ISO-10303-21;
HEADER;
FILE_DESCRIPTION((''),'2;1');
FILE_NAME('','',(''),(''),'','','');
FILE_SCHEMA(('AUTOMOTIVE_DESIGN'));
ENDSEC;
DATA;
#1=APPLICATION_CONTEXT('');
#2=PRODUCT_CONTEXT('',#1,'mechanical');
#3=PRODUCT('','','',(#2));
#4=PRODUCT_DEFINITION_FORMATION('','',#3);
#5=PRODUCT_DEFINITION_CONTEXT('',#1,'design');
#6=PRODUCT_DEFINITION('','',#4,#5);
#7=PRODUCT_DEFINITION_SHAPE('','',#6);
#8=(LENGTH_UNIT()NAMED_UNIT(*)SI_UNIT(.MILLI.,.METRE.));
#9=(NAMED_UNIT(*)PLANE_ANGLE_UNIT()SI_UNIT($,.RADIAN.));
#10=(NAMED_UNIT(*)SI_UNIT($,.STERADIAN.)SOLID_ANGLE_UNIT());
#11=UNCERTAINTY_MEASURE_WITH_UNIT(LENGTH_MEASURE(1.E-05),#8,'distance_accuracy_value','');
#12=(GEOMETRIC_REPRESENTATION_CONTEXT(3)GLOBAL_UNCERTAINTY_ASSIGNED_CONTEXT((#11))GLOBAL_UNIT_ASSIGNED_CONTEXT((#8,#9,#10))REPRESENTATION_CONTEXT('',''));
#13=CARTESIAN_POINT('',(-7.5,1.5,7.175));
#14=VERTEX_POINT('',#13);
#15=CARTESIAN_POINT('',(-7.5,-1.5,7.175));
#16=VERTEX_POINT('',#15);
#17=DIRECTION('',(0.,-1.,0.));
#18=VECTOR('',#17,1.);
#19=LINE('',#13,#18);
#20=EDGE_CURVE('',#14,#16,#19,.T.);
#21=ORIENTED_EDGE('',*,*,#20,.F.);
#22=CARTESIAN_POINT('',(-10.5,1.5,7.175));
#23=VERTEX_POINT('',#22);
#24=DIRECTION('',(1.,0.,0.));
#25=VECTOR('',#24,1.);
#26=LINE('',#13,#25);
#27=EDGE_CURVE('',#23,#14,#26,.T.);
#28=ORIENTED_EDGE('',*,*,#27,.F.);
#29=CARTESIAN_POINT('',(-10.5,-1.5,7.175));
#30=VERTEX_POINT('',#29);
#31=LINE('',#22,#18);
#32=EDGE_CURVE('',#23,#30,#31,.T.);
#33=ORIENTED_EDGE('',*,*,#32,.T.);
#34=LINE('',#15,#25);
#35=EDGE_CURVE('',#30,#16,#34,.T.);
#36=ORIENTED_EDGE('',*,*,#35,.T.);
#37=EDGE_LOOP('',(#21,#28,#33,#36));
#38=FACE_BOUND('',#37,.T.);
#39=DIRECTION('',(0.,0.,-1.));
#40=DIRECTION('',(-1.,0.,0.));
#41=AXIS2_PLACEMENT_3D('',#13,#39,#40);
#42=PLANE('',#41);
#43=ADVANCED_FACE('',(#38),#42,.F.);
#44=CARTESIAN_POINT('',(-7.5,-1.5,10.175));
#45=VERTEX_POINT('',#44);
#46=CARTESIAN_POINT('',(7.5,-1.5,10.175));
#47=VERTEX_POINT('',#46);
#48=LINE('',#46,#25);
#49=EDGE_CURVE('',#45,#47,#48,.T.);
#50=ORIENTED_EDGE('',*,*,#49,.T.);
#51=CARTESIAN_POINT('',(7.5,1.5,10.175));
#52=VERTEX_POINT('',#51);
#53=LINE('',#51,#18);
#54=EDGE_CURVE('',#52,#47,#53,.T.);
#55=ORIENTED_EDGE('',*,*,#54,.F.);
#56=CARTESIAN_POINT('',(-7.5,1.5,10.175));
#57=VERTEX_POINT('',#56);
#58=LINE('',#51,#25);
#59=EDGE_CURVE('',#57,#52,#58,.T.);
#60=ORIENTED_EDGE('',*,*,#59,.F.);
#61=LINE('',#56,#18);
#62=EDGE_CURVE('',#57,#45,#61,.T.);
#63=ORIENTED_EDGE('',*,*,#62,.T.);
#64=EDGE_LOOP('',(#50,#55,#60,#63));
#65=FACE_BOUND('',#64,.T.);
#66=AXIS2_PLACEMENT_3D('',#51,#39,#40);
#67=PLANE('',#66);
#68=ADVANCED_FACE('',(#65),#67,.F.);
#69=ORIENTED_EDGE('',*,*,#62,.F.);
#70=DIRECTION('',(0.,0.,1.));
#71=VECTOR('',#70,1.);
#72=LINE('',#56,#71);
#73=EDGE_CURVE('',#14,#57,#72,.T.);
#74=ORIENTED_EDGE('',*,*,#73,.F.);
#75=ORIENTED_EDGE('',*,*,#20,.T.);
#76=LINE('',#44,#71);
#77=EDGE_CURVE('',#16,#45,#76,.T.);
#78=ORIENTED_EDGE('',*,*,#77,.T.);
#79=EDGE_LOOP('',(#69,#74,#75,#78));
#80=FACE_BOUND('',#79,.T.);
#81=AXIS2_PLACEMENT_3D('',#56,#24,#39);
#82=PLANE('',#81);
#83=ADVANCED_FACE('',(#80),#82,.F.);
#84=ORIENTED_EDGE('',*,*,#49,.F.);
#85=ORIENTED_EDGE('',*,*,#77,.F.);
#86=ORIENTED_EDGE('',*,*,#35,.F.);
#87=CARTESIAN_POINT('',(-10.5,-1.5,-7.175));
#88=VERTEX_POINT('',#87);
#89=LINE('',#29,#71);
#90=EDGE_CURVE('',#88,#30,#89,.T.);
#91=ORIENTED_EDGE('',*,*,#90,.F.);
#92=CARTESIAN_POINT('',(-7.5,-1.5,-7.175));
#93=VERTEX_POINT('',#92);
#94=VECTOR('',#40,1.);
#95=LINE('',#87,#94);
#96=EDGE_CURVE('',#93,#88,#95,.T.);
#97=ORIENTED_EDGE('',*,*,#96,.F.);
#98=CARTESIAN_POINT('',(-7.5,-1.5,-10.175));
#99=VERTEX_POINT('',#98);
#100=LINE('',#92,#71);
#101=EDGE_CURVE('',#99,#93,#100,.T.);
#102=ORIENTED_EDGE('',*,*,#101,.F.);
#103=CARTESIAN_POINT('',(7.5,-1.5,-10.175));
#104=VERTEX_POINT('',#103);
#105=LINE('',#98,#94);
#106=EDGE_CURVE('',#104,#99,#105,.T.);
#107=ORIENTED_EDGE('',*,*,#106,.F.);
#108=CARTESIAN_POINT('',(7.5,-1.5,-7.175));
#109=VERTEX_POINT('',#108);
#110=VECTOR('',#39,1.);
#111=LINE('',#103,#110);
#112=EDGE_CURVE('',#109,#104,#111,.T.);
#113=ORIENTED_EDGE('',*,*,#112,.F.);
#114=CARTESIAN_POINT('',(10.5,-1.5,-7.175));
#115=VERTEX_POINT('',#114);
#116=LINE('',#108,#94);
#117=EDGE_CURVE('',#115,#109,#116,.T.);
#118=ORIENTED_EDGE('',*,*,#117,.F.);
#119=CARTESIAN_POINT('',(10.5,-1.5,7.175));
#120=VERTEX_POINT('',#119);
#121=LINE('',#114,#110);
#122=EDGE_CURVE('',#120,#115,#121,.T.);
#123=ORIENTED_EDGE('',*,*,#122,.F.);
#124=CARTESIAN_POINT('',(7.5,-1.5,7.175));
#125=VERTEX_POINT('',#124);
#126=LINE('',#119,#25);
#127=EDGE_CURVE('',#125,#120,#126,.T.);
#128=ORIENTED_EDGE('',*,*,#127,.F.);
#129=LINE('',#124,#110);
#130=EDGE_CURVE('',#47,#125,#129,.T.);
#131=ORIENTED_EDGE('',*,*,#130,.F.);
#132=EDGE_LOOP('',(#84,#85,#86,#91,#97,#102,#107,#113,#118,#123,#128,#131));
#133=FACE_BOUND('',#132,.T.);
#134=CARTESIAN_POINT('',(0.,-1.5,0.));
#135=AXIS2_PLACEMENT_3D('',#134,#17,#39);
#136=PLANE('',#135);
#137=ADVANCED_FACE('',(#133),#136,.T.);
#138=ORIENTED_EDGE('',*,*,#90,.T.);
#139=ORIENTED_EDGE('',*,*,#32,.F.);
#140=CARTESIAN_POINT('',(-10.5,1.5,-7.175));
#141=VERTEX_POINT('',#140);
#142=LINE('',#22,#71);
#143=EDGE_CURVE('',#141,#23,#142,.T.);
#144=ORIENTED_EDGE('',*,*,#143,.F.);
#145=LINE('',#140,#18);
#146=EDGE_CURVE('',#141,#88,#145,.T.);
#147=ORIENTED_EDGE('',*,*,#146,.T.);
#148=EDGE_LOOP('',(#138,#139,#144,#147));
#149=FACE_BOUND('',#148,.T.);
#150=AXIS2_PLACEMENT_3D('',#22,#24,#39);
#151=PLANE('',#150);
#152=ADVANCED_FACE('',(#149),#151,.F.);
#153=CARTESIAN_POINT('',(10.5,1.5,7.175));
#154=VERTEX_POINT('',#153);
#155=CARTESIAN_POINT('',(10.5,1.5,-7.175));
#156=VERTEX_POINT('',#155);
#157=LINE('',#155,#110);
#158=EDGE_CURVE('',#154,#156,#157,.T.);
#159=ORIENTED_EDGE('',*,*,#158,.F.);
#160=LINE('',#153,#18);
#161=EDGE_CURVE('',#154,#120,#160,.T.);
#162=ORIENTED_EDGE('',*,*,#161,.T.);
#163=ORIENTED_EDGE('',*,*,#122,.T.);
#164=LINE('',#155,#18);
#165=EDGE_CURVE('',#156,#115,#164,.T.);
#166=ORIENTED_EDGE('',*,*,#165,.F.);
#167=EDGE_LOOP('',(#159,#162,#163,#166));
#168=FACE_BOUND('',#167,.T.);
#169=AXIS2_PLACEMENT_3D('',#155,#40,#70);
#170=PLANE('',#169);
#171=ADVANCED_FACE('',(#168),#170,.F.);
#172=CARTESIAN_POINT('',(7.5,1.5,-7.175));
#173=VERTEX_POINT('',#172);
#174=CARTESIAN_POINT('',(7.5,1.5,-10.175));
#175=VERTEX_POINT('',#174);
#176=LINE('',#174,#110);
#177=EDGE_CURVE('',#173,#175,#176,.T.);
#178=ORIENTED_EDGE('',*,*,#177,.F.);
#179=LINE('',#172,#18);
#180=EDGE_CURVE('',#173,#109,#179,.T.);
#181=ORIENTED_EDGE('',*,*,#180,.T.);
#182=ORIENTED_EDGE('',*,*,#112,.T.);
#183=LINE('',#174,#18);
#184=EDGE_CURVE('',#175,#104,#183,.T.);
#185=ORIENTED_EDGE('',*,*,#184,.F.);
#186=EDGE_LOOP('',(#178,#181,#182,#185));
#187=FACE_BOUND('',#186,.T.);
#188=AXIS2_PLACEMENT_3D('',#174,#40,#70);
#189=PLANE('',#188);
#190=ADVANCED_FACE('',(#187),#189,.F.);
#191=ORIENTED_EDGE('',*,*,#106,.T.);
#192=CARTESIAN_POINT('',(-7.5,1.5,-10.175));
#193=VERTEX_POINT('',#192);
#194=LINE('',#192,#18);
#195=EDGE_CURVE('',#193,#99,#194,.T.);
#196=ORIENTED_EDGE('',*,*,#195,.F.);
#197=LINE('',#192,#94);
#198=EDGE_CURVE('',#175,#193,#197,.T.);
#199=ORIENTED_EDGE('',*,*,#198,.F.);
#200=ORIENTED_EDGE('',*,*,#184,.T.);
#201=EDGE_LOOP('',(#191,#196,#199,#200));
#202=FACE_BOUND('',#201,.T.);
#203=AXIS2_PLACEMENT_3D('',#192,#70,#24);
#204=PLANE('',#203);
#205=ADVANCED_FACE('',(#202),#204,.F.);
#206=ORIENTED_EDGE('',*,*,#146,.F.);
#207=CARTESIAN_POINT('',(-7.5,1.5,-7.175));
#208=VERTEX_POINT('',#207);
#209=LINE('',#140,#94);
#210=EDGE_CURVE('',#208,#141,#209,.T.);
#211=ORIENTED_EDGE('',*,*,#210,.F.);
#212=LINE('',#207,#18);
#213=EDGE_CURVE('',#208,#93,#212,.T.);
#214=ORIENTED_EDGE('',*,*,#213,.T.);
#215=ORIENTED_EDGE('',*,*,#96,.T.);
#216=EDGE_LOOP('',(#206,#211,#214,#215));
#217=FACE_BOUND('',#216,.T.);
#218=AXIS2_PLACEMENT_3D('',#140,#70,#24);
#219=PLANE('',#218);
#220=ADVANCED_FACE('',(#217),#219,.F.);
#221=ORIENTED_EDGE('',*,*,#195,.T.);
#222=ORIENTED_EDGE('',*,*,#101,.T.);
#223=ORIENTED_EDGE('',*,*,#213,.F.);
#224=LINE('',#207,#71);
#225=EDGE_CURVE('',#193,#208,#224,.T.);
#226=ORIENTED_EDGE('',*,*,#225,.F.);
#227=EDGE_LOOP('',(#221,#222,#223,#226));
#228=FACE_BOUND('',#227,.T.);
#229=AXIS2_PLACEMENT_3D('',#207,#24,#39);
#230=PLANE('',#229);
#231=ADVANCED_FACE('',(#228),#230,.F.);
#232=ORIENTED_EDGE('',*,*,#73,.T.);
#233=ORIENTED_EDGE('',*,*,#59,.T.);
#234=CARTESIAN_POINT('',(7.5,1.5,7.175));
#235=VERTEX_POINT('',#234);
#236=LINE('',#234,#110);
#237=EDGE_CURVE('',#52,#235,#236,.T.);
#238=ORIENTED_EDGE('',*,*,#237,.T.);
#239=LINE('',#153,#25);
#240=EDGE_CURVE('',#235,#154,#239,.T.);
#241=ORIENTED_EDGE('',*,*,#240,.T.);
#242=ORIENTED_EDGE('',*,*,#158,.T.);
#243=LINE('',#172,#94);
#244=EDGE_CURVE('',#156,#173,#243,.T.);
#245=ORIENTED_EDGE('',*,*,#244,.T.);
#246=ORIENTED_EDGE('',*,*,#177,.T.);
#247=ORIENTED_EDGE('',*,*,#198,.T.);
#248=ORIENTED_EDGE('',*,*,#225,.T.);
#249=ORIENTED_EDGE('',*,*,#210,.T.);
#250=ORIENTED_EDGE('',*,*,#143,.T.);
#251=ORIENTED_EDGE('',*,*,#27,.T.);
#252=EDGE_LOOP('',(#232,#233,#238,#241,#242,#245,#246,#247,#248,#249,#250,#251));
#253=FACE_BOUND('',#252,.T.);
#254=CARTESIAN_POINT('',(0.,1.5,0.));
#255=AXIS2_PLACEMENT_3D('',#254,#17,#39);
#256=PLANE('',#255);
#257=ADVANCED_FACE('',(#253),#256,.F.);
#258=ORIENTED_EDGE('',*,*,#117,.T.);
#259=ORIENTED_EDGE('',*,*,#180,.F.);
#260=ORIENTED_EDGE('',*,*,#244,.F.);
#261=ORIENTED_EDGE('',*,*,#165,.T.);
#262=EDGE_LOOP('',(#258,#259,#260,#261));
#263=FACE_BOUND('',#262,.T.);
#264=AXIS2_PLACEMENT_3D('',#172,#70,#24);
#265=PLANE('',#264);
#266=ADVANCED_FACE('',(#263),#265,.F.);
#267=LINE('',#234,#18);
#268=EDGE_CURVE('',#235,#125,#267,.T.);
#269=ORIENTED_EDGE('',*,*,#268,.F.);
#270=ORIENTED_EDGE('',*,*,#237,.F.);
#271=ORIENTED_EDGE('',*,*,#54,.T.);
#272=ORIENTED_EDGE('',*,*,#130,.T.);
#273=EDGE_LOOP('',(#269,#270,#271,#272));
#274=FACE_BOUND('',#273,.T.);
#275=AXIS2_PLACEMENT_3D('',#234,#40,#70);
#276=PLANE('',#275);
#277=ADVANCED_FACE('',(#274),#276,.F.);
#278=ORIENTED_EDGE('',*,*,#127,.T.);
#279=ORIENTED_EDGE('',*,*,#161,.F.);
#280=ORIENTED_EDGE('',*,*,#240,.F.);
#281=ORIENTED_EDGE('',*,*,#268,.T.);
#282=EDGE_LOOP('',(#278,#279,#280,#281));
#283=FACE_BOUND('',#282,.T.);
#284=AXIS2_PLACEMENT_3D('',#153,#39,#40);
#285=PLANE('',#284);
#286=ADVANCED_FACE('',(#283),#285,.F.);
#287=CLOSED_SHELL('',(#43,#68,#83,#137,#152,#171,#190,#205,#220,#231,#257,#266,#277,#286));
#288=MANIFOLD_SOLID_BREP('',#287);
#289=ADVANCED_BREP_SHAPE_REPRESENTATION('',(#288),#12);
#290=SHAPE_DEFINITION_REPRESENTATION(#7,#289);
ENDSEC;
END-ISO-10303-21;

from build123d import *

# Parameters (mm, degrees)
BOSS_EXTRUDE1_DEPTH = 1.5


with BuildPart() as part:
    # Sketch1 → Boss-Extrude1 (new body, symmetric)
    with BuildSketch(Plane(origin=(0, 0, 0), x_dir=(1, 0, 0), z_dir=(0, 1, 0))):
        Polygon((-7.5, 10.175), (7.5, 10.175), (7.5, 7.175), (10.5, 7.175), (10.5, -7.175), (7.5, -7.175), (7.5, -10.175), (-7.5, -10.175), (-7.5, -7.175), (-10.5, -7.175), (-10.5, 7.175), (-7.5, 7.175), align=None)
    extrude(amount=BOSS_EXTRUDE1_DEPTH, both=True)


solid = part.part
